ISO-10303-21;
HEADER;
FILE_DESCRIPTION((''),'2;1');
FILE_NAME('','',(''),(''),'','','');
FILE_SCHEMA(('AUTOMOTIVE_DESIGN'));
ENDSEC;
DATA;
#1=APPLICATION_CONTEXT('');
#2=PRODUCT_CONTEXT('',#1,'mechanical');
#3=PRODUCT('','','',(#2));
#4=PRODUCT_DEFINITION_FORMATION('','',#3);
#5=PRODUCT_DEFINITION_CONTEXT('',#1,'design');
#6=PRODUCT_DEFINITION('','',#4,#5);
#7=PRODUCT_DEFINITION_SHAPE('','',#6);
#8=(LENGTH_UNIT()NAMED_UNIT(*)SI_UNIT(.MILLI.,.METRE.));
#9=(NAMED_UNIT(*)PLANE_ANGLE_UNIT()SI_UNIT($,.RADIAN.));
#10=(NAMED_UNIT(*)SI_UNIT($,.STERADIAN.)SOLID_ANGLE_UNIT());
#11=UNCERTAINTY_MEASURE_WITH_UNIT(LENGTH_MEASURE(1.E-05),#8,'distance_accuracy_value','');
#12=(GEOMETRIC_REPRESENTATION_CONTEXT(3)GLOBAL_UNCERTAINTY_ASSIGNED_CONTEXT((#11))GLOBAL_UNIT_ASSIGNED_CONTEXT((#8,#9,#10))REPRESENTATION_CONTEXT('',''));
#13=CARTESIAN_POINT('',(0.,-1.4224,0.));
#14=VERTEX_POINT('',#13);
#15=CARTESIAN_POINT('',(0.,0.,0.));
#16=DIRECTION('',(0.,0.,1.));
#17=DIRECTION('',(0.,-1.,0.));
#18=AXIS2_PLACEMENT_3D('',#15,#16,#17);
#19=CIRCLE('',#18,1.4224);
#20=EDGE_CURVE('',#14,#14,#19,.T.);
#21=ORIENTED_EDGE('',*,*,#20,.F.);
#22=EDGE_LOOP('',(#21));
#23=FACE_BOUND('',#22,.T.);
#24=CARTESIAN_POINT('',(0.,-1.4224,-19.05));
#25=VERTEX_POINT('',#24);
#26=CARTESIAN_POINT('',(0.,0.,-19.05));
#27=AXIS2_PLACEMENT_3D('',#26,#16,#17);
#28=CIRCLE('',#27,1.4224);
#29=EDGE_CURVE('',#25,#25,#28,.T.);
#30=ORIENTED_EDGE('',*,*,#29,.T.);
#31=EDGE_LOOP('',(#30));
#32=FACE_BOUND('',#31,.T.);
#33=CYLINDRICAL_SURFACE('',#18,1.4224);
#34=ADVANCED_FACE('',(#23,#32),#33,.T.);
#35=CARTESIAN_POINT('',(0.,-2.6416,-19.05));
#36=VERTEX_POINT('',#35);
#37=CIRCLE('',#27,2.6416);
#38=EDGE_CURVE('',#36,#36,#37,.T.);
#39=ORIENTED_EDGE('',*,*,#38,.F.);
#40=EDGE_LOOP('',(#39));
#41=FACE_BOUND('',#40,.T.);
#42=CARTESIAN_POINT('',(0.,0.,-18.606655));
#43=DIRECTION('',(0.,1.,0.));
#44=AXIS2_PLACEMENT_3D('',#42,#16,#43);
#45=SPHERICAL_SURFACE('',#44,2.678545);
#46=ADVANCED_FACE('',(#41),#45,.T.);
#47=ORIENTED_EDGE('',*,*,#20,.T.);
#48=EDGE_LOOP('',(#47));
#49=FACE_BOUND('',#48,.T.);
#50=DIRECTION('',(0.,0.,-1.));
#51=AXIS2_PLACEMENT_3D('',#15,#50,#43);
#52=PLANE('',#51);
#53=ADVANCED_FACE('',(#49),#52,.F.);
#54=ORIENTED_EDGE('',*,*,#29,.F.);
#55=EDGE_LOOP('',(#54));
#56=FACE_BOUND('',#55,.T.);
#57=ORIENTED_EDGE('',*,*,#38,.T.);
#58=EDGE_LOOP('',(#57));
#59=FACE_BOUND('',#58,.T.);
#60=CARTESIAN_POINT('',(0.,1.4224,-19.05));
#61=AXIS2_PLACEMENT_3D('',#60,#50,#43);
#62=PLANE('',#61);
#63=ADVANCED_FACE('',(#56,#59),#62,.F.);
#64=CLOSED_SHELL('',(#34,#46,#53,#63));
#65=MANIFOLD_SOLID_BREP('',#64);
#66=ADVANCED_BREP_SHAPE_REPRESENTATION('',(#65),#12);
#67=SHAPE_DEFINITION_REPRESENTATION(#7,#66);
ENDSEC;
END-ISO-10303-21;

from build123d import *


with BuildPart() as part:
    # Sketch2 → Revolve1 (revolve)
    with BuildSketch(Plane(origin=(0, 0, 0), x_dir=(0, 0, -1), z_dir=(1, 0, 0))):
        with BuildLine():
            Line((0, 0), (0, 1.4224))
            Line((0, 1.4224), (19.05, 1.4224))
            Line((19.05, 1.4224), (19.05, 2.6416))
            ThreePointArc((19.05, 2.6416), (20.65141941, 1.730185655), (21.2852, 0))
            Line((21.2852, 0), (0, 0))
        make_face()
    revolve(axis=Axis((0, 0, 0), (0, 0, -1)))


solid = part.part
